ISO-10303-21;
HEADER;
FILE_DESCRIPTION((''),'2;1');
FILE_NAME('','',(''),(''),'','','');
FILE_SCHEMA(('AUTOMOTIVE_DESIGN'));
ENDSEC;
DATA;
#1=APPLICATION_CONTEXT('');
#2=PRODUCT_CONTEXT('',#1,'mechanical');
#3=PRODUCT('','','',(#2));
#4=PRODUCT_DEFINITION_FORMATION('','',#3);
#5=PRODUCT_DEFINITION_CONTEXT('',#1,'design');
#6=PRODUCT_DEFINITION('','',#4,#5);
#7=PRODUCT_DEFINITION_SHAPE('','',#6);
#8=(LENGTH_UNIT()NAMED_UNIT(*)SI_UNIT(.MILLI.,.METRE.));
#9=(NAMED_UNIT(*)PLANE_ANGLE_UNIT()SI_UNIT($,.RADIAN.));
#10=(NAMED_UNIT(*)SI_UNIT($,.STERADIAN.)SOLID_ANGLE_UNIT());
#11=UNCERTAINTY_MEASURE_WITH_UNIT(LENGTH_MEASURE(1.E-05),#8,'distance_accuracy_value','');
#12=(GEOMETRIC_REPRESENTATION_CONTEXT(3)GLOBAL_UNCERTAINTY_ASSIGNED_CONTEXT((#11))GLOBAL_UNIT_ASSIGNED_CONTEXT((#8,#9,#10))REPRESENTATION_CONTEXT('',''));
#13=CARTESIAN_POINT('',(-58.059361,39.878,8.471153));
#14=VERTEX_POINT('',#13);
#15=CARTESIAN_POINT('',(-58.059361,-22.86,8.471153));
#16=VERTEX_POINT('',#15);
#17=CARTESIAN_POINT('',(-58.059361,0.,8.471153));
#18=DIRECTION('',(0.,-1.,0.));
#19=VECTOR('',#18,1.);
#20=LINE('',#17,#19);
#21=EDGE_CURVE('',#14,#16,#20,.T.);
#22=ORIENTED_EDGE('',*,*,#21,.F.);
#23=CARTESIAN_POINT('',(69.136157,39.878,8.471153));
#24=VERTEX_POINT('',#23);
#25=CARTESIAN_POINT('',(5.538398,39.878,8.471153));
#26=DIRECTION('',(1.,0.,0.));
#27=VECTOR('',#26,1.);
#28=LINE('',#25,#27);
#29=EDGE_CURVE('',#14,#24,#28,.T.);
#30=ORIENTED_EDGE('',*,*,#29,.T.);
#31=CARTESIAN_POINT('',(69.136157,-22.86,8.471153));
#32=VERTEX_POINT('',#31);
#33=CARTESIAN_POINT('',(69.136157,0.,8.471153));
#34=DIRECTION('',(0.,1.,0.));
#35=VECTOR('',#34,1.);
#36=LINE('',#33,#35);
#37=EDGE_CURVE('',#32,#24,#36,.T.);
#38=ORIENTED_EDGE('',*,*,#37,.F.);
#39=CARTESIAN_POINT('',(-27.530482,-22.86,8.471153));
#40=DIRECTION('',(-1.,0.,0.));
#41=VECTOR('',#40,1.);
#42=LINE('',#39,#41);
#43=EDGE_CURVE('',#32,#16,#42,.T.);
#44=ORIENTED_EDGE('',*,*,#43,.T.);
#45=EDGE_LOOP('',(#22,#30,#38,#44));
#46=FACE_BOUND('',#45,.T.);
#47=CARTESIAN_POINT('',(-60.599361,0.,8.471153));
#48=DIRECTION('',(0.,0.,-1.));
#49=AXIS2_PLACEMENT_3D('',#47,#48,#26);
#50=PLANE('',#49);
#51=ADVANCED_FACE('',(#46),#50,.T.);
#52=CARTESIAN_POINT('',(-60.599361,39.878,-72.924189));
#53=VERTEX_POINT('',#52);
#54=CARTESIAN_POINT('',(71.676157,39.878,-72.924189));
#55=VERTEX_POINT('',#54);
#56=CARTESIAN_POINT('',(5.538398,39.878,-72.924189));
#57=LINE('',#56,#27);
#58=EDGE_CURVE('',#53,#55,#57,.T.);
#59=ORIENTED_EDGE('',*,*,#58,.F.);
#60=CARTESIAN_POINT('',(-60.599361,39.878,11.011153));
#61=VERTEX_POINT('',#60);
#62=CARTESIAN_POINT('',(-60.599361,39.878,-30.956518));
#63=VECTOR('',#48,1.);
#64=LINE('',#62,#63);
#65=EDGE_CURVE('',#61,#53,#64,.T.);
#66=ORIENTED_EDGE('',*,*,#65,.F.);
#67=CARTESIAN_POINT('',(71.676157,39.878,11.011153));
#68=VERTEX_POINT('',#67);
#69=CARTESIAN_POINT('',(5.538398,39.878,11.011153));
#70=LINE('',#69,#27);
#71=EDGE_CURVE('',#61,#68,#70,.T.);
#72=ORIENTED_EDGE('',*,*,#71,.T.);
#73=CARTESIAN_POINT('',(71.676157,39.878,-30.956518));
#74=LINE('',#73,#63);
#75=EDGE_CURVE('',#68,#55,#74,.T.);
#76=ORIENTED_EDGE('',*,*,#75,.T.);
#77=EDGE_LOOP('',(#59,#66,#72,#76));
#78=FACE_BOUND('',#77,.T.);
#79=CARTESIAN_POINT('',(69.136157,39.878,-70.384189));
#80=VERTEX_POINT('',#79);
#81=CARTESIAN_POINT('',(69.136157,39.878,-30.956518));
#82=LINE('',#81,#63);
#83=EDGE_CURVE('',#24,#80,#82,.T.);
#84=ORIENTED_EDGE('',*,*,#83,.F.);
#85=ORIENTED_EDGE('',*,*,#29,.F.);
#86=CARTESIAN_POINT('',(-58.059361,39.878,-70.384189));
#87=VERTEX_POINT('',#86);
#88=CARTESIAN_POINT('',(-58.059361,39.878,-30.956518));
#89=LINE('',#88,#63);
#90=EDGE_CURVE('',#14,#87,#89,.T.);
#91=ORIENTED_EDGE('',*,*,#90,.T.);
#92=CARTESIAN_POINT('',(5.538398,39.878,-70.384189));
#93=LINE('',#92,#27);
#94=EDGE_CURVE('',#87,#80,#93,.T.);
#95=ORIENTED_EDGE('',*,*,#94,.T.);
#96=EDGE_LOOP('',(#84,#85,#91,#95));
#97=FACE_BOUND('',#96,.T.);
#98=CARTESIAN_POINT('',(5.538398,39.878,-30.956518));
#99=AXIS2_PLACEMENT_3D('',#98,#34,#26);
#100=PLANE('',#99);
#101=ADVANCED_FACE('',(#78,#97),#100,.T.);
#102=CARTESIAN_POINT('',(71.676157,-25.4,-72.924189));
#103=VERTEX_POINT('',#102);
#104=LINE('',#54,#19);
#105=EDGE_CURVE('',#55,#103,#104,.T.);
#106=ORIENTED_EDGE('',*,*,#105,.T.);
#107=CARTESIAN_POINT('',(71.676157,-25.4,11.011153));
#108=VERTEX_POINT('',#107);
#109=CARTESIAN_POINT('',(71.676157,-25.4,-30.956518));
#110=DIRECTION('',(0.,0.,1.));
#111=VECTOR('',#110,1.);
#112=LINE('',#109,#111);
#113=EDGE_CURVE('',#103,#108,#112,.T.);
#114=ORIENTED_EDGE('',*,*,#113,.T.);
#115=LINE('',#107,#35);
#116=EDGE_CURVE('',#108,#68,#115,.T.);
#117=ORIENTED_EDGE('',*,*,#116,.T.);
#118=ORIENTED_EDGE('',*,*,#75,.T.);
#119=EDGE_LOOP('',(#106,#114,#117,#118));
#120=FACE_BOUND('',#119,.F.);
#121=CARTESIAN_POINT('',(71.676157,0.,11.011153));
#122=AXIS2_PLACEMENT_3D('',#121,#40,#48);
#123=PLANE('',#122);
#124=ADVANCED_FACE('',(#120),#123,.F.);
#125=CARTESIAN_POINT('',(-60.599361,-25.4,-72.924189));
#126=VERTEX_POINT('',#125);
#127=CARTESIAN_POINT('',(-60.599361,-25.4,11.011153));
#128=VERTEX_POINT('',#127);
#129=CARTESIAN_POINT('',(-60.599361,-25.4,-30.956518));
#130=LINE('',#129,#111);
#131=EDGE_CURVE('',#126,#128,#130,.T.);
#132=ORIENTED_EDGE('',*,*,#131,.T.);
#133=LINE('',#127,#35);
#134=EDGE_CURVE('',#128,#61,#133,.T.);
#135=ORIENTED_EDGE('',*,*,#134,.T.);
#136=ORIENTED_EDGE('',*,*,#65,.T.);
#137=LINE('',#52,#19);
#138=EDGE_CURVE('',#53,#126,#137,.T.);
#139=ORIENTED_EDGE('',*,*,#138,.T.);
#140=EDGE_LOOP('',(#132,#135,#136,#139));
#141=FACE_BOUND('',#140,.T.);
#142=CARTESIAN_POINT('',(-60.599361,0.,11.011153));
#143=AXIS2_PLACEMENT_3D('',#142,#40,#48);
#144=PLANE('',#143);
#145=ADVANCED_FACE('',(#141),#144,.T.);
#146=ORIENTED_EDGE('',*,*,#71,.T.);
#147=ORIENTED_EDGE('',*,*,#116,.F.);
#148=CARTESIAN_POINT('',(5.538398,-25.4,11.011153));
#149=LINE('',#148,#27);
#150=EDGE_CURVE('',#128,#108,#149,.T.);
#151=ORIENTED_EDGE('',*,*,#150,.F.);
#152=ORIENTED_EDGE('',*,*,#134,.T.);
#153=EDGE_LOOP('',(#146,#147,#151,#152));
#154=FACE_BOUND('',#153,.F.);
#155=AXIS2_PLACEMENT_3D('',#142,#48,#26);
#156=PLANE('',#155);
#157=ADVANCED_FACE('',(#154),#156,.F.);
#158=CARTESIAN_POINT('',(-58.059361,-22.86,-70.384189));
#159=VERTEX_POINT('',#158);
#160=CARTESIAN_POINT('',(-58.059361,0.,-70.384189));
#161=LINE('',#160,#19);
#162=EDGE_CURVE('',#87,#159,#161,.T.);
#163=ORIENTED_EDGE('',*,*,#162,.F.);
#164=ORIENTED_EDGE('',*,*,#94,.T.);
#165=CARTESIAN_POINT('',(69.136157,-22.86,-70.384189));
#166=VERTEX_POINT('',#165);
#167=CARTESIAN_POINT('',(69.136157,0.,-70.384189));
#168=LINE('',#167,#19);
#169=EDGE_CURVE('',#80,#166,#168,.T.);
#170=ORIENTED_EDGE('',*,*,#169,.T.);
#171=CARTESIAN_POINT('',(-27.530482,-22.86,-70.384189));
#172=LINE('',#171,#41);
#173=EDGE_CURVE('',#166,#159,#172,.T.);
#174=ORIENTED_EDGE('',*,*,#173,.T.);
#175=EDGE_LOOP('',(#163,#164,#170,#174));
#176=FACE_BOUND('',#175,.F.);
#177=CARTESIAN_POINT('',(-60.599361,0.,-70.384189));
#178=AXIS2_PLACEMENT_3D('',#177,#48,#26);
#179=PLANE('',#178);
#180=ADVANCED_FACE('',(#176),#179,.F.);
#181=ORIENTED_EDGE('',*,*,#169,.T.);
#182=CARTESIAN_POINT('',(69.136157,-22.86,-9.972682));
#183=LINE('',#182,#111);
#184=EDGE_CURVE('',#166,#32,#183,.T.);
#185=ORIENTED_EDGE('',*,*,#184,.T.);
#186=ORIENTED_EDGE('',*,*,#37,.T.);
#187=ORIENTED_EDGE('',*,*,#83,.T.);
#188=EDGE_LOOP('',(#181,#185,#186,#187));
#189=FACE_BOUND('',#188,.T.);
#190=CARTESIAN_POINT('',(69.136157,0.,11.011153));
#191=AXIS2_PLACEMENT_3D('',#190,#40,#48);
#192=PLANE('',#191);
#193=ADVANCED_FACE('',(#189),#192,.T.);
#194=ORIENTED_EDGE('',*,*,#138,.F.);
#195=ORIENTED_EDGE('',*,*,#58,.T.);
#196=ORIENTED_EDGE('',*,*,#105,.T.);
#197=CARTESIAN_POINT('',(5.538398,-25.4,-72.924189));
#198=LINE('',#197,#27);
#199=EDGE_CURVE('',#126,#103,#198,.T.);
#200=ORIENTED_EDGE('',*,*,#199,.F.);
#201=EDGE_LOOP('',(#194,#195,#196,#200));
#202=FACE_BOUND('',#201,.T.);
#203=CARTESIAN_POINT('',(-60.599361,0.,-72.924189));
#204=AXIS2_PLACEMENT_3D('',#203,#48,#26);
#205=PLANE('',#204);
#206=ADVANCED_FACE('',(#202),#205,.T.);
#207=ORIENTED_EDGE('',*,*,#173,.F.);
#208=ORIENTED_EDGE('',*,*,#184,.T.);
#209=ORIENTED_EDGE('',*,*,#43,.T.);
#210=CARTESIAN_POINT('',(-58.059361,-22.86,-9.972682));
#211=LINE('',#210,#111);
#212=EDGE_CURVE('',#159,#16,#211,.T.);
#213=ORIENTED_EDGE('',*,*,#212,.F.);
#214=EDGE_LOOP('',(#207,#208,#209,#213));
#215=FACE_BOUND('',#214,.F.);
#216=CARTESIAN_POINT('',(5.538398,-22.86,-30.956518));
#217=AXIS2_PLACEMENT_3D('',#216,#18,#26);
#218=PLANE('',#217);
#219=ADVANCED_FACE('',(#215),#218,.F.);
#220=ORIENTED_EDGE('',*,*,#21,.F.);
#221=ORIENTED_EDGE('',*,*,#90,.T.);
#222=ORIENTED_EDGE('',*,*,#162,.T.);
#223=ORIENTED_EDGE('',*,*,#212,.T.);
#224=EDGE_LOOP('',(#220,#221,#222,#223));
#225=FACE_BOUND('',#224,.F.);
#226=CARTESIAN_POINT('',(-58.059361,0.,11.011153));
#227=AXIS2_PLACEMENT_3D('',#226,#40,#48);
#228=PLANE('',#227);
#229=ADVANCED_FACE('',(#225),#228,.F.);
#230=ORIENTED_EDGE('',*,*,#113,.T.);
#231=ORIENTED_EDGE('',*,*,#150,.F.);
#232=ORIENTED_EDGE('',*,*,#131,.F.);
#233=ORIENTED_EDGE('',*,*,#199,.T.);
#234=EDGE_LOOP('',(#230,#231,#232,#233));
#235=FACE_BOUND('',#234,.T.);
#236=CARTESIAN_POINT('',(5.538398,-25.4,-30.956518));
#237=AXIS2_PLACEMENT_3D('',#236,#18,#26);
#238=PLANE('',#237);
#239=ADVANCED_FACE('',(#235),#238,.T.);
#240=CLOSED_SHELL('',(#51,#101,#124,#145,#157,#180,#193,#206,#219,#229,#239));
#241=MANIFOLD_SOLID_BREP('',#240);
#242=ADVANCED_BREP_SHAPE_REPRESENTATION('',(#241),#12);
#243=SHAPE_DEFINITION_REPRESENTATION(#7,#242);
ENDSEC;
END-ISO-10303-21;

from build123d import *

# Parameters (mm, degrees)
F0_W      = 132.275518
F0_H      = 83.935342
F1_DEPTH  = 25.4
F1_FACE_W = 132.275518
F1_FACE_H = 83.935342
F2_DEPTH  = 39.878
F3_T      = -2.54


with BuildPart() as f1:
    # F0 (on Front) → F1 (new body)
    with BuildSketch(Plane.XZ):
        with Locations((5.538398, -30.956518)):
            Rectangle(F0_W, F0_H)
    extrude(amount=F1_DEPTH)

    # F1_face (on face) → F2 (join)
    with BuildSketch(Plane(origin=(5.538398, 0, -30.956518), x_dir=(1, 0, 0), z_dir=(0, 1, 0))):
        Rectangle(F1_FACE_W, F1_FACE_H)
    extrude(amount=F2_DEPTH)

    # F3
    f3_openings = [f1.faces().sort_by_distance(p)[0] for p in [
        (5.538398, 39.878, -30.956518),
    ]]
    offset(amount=F3_T, openings=f3_openings)


solid = f1.part
